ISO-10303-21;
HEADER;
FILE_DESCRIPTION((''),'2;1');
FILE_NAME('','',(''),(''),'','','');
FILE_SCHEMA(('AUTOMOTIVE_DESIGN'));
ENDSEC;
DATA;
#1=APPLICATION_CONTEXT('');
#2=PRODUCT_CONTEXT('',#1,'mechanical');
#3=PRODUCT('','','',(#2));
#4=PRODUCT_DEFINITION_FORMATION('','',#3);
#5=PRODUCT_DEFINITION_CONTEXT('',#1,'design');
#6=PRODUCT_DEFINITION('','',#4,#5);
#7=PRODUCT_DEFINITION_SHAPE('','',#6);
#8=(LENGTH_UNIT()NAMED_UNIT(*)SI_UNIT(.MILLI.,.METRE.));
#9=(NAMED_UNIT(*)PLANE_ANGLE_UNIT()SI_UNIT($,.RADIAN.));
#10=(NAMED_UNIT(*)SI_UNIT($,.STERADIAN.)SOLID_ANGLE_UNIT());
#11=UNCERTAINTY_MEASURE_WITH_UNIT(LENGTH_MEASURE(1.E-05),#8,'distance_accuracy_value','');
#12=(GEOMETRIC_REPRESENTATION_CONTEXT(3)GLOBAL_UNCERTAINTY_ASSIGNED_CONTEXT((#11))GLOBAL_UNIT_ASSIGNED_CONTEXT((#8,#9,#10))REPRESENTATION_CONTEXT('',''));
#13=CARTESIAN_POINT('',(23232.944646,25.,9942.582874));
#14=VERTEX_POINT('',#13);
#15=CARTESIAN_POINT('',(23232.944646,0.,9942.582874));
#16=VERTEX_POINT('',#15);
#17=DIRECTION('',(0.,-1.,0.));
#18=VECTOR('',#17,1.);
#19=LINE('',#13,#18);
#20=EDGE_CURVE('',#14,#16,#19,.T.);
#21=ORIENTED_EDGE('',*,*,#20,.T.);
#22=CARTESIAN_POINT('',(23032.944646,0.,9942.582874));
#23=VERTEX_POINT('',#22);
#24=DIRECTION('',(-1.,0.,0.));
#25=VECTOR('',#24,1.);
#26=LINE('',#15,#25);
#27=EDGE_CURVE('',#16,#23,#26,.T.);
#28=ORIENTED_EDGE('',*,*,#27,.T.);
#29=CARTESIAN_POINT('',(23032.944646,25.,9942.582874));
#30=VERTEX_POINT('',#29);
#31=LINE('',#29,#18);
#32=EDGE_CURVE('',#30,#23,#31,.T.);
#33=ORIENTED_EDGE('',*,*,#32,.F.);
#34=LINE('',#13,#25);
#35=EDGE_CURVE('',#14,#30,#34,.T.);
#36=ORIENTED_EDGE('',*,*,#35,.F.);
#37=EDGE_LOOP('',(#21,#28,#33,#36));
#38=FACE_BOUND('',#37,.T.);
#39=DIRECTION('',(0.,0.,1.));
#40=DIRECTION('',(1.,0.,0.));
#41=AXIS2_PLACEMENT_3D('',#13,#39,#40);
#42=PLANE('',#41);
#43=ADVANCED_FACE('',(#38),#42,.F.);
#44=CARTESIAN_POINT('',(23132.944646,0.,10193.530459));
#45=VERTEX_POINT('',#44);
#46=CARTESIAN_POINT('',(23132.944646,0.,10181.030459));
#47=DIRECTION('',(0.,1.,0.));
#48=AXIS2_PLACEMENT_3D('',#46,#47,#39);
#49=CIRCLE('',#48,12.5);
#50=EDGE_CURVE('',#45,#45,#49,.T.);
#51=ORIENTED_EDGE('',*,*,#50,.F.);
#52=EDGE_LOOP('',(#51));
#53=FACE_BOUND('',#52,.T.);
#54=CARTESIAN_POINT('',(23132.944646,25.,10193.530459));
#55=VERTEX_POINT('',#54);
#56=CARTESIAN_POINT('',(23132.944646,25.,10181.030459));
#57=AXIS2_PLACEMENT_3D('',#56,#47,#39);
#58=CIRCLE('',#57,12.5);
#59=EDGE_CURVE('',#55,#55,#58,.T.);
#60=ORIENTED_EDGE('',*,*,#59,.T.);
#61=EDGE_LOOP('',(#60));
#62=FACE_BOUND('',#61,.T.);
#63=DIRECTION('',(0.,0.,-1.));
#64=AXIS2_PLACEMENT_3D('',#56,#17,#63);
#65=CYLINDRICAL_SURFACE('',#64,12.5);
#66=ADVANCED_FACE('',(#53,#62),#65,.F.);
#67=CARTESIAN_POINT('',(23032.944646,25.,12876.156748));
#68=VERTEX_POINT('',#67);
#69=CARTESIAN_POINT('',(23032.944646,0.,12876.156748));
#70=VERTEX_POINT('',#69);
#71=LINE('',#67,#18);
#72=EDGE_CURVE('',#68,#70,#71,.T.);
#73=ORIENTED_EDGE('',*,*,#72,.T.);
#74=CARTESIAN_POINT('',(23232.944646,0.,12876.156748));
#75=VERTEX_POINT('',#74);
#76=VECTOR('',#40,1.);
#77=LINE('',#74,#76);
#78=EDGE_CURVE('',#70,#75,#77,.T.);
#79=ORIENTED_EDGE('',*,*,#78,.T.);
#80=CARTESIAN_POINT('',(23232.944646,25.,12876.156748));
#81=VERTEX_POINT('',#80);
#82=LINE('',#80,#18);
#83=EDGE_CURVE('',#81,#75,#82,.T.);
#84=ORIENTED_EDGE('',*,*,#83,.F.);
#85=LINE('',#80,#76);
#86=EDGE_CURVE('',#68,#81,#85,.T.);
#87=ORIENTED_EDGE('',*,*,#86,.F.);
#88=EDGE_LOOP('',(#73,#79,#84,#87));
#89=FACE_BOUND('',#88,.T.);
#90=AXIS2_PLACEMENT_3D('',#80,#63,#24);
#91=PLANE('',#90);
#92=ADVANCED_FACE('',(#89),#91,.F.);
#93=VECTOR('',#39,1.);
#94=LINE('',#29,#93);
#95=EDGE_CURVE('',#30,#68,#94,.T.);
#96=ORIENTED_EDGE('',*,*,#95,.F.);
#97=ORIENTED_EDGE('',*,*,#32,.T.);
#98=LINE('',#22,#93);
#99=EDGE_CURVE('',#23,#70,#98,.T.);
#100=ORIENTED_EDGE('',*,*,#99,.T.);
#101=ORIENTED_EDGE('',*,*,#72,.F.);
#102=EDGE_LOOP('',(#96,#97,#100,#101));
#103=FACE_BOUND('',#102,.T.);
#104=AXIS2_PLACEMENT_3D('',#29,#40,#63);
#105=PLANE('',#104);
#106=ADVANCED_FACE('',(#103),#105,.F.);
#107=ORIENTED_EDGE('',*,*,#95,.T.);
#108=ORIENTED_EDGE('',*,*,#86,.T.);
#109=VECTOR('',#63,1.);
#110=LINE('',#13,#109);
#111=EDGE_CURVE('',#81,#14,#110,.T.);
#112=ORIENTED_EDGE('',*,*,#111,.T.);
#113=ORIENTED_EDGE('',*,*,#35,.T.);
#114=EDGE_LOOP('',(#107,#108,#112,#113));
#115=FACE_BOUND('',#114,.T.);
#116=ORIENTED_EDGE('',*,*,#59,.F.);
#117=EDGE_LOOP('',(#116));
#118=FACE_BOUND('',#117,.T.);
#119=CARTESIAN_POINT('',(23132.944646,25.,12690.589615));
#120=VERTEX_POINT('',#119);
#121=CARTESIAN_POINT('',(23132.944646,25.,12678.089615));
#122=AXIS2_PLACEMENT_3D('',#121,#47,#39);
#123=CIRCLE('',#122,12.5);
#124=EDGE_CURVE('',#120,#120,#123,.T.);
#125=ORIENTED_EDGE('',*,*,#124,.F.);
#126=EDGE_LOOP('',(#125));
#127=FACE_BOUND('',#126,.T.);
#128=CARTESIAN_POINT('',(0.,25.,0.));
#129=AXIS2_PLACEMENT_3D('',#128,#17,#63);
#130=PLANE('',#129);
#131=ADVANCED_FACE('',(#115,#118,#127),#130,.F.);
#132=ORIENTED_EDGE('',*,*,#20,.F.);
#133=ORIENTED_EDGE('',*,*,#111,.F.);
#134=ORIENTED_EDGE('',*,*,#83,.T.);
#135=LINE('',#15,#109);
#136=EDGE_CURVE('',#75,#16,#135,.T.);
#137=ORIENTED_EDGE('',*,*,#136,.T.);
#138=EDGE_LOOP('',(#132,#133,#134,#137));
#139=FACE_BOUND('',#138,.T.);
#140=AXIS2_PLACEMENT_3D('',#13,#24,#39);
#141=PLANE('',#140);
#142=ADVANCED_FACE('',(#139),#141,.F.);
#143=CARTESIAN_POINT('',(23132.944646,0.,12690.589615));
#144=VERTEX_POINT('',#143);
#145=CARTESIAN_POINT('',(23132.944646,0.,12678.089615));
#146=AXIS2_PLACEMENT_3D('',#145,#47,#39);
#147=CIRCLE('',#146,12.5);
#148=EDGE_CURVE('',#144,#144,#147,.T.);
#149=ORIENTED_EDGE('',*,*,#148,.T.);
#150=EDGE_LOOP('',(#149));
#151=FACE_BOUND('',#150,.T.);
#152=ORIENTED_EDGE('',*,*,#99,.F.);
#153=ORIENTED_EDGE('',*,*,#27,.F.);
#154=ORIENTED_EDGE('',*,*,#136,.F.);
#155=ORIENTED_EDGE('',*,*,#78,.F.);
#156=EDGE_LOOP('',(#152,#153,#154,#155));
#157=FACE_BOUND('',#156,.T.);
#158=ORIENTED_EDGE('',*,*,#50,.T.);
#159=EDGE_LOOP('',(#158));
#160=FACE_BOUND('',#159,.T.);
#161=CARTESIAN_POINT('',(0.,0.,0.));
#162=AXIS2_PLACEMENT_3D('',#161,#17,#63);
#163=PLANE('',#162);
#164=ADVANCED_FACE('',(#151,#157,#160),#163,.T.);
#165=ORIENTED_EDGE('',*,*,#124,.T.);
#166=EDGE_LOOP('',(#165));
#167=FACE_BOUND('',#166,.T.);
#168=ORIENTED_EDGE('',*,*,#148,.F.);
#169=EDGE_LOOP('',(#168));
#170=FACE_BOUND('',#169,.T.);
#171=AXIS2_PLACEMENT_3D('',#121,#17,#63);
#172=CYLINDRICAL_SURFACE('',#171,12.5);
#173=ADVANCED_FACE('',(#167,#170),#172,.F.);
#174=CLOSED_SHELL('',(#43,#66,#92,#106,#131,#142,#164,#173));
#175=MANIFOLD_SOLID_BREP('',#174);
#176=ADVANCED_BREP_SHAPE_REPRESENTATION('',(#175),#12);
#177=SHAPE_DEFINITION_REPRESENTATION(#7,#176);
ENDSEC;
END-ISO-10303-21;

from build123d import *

# Parameters (mm, degrees)
SKETCH4_W             = 200
SKETCH4_H             = 2933.573874127
SKETCH4_R             = 12.5
BOSS_EXTRUDE1_DEPTH   = 25
SKETCH4_H_2           = 2891.000919938
BOSS_EXTRUDE1_2_DEPTH = 25
SKETCH4_H_3           = 2656.8496719
BOSS_EXTRUDE1_3_DEPTH = 25
SKETCH4_H_4           = 2167.26069873
BOSS_EXTRUDE1_4_DEPTH = 25
SKETCH4_H_5           = 1693.636583381
BOSS_EXTRUDE1_5_DEPTH = 25
SKETCH5_W             = 5252.2870397
SKETCH5_H             = 5093.660921052
CUT_EXTRUDE3_DEPTH    = 26


with BuildPart() as part:
    # Sketch4 → Boss-Extrude1 (new body)
    with BuildSketch(Plane(origin=(0, 0, 0), x_dir=(1, 0, 0), z_dir=(0, 1, 0))):
        with Locations((23132.944645813, -11409.369811035)):
            Rectangle(SKETCH4_W, SKETCH4_H)
        with Locations((23132.944645813, -12678.089615367)):
            Circle(SKETCH4_R, mode=Mode.SUBTRACT)
        with Locations((23132.944645813, -10181.030459334)):
            Circle(SKETCH4_R, mode=Mode.SUBTRACT)
    extrude(amount=BOSS_EXTRUDE1_DEPTH)


with BuildPart() as body_2:
    # Sketch4 → Boss-Extrude1 2 (new body)
    with BuildSketch(Plane(origin=(0, 0, 0), x_dir=(1, 0, 0), z_dir=(0, 1, 0))):
        with Locations((22032.944645813, -11388.083333941)):
            Rectangle(SKETCH4_W, SKETCH4_H_2)
        with Locations((22032.944645813, -12621.228285175)):
            Circle(SKETCH4_R, mode=Mode.SUBTRACT)
        with Locations((22032.944645813, -10181.030459334)):
            Circle(SKETCH4_R, mode=Mode.SUBTRACT)
    extrude(amount=BOSS_EXTRUDE1_2_DEPTH)


with BuildPart() as body_3:
    # Sketch4 → Boss-Extrude1 3 (new body)
    with BuildSketch(Plane(origin=(0, 0, 0), x_dir=(1, 0, 0), z_dir=(0, 1, 0))):
        with Locations((20832.944645813, -11271.007709922)):
            Rectangle(SKETCH4_W, SKETCH4_H_3)
        with Locations((20832.944645813, -12348.754240871)):
            Circle(SKETCH4_R, mode=Mode.SUBTRACT)
        with Locations((20832.944645813, -10181.030459334)):
            Circle(SKETCH4_R, mode=Mode.SUBTRACT)
    extrude(amount=BOSS_EXTRUDE1_3_DEPTH)


with BuildPart() as body_4:
    # Sketch4 → Boss-Extrude1 4 (new body)
    with BuildSketch(Plane(origin=(0, 0, 0), x_dir=(1, 0, 0), z_dir=(0, 1, 0))):
        with Locations((19632.944645813, -11026.213223337)):
            Rectangle(SKETCH4_W, SKETCH4_H_4)
        with Locations((19632.944645813, -11826.915448153)):
            Circle(SKETCH4_R, mode=Mode.SUBTRACT)
        with Locations((19632.944645813, -10181.030459334)):
            Circle(SKETCH4_R, mode=Mode.SUBTRACT)
    extrude(amount=BOSS_EXTRUDE1_4_DEPTH)


with BuildPart() as body_5:
    # Sketch4 → Boss-Extrude1 5 (new body)
    with BuildSketch(Plane(origin=(0, 0, 0), x_dir=(1, 0, 0), z_dir=(0, 1, 0))):
        with Locations((18802.944645813, -10789.401165663)):
            Rectangle(SKETCH4_W, SKETCH4_H_5)
        with Locations((18802.944645813, -11283.669778774)):
            Circle(SKETCH4_R, mode=Mode.SUBTRACT)
        with Locations((18802.944645813, -10181.030459334)):
            Circle(SKETCH4_R, mode=Mode.SUBTRACT)
    extrude(amount=BOSS_EXTRUDE1_5_DEPTH)


with BuildPart() as cut_extrude3_tool:
    # Sketch5 → Cut-Extrude3 (new body, through all)
    with BuildSketch(Plane(origin=(0, 0, 0), x_dir=(1, 0, 0), z_dir=(0, 1, 0))):
        with Locations((19839.936690978, -11321.244189564)):
            Rectangle(SKETCH5_W, SKETCH5_H)
    extrude(amount=CUT_EXTRUDE3_DEPTH)


with BuildPart() as body_2_1:
    add(body_2.part)

    # Cut-Extrude3: cut by cut_extrude3_tool
    add(cut_extrude3_tool.part, mode=Mode.SUBTRACT)


with BuildPart() as body_3_1:
    add(body_3.part)

    # Cut-Extrude3: cut by cut_extrude3_tool
    add(cut_extrude3_tool.part, mode=Mode.SUBTRACT)


with BuildPart() as body_4_1:
    add(body_4.part)

    # Cut-Extrude3: cut by cut_extrude3_tool
    add(cut_extrude3_tool.part, mode=Mode.SUBTRACT)


with BuildPart() as body_5_1:
    add(body_5.part)

    # Cut-Extrude3: cut by cut_extrude3_tool
    add(cut_extrude3_tool.part, mode=Mode.SUBTRACT)


solid = part.part
